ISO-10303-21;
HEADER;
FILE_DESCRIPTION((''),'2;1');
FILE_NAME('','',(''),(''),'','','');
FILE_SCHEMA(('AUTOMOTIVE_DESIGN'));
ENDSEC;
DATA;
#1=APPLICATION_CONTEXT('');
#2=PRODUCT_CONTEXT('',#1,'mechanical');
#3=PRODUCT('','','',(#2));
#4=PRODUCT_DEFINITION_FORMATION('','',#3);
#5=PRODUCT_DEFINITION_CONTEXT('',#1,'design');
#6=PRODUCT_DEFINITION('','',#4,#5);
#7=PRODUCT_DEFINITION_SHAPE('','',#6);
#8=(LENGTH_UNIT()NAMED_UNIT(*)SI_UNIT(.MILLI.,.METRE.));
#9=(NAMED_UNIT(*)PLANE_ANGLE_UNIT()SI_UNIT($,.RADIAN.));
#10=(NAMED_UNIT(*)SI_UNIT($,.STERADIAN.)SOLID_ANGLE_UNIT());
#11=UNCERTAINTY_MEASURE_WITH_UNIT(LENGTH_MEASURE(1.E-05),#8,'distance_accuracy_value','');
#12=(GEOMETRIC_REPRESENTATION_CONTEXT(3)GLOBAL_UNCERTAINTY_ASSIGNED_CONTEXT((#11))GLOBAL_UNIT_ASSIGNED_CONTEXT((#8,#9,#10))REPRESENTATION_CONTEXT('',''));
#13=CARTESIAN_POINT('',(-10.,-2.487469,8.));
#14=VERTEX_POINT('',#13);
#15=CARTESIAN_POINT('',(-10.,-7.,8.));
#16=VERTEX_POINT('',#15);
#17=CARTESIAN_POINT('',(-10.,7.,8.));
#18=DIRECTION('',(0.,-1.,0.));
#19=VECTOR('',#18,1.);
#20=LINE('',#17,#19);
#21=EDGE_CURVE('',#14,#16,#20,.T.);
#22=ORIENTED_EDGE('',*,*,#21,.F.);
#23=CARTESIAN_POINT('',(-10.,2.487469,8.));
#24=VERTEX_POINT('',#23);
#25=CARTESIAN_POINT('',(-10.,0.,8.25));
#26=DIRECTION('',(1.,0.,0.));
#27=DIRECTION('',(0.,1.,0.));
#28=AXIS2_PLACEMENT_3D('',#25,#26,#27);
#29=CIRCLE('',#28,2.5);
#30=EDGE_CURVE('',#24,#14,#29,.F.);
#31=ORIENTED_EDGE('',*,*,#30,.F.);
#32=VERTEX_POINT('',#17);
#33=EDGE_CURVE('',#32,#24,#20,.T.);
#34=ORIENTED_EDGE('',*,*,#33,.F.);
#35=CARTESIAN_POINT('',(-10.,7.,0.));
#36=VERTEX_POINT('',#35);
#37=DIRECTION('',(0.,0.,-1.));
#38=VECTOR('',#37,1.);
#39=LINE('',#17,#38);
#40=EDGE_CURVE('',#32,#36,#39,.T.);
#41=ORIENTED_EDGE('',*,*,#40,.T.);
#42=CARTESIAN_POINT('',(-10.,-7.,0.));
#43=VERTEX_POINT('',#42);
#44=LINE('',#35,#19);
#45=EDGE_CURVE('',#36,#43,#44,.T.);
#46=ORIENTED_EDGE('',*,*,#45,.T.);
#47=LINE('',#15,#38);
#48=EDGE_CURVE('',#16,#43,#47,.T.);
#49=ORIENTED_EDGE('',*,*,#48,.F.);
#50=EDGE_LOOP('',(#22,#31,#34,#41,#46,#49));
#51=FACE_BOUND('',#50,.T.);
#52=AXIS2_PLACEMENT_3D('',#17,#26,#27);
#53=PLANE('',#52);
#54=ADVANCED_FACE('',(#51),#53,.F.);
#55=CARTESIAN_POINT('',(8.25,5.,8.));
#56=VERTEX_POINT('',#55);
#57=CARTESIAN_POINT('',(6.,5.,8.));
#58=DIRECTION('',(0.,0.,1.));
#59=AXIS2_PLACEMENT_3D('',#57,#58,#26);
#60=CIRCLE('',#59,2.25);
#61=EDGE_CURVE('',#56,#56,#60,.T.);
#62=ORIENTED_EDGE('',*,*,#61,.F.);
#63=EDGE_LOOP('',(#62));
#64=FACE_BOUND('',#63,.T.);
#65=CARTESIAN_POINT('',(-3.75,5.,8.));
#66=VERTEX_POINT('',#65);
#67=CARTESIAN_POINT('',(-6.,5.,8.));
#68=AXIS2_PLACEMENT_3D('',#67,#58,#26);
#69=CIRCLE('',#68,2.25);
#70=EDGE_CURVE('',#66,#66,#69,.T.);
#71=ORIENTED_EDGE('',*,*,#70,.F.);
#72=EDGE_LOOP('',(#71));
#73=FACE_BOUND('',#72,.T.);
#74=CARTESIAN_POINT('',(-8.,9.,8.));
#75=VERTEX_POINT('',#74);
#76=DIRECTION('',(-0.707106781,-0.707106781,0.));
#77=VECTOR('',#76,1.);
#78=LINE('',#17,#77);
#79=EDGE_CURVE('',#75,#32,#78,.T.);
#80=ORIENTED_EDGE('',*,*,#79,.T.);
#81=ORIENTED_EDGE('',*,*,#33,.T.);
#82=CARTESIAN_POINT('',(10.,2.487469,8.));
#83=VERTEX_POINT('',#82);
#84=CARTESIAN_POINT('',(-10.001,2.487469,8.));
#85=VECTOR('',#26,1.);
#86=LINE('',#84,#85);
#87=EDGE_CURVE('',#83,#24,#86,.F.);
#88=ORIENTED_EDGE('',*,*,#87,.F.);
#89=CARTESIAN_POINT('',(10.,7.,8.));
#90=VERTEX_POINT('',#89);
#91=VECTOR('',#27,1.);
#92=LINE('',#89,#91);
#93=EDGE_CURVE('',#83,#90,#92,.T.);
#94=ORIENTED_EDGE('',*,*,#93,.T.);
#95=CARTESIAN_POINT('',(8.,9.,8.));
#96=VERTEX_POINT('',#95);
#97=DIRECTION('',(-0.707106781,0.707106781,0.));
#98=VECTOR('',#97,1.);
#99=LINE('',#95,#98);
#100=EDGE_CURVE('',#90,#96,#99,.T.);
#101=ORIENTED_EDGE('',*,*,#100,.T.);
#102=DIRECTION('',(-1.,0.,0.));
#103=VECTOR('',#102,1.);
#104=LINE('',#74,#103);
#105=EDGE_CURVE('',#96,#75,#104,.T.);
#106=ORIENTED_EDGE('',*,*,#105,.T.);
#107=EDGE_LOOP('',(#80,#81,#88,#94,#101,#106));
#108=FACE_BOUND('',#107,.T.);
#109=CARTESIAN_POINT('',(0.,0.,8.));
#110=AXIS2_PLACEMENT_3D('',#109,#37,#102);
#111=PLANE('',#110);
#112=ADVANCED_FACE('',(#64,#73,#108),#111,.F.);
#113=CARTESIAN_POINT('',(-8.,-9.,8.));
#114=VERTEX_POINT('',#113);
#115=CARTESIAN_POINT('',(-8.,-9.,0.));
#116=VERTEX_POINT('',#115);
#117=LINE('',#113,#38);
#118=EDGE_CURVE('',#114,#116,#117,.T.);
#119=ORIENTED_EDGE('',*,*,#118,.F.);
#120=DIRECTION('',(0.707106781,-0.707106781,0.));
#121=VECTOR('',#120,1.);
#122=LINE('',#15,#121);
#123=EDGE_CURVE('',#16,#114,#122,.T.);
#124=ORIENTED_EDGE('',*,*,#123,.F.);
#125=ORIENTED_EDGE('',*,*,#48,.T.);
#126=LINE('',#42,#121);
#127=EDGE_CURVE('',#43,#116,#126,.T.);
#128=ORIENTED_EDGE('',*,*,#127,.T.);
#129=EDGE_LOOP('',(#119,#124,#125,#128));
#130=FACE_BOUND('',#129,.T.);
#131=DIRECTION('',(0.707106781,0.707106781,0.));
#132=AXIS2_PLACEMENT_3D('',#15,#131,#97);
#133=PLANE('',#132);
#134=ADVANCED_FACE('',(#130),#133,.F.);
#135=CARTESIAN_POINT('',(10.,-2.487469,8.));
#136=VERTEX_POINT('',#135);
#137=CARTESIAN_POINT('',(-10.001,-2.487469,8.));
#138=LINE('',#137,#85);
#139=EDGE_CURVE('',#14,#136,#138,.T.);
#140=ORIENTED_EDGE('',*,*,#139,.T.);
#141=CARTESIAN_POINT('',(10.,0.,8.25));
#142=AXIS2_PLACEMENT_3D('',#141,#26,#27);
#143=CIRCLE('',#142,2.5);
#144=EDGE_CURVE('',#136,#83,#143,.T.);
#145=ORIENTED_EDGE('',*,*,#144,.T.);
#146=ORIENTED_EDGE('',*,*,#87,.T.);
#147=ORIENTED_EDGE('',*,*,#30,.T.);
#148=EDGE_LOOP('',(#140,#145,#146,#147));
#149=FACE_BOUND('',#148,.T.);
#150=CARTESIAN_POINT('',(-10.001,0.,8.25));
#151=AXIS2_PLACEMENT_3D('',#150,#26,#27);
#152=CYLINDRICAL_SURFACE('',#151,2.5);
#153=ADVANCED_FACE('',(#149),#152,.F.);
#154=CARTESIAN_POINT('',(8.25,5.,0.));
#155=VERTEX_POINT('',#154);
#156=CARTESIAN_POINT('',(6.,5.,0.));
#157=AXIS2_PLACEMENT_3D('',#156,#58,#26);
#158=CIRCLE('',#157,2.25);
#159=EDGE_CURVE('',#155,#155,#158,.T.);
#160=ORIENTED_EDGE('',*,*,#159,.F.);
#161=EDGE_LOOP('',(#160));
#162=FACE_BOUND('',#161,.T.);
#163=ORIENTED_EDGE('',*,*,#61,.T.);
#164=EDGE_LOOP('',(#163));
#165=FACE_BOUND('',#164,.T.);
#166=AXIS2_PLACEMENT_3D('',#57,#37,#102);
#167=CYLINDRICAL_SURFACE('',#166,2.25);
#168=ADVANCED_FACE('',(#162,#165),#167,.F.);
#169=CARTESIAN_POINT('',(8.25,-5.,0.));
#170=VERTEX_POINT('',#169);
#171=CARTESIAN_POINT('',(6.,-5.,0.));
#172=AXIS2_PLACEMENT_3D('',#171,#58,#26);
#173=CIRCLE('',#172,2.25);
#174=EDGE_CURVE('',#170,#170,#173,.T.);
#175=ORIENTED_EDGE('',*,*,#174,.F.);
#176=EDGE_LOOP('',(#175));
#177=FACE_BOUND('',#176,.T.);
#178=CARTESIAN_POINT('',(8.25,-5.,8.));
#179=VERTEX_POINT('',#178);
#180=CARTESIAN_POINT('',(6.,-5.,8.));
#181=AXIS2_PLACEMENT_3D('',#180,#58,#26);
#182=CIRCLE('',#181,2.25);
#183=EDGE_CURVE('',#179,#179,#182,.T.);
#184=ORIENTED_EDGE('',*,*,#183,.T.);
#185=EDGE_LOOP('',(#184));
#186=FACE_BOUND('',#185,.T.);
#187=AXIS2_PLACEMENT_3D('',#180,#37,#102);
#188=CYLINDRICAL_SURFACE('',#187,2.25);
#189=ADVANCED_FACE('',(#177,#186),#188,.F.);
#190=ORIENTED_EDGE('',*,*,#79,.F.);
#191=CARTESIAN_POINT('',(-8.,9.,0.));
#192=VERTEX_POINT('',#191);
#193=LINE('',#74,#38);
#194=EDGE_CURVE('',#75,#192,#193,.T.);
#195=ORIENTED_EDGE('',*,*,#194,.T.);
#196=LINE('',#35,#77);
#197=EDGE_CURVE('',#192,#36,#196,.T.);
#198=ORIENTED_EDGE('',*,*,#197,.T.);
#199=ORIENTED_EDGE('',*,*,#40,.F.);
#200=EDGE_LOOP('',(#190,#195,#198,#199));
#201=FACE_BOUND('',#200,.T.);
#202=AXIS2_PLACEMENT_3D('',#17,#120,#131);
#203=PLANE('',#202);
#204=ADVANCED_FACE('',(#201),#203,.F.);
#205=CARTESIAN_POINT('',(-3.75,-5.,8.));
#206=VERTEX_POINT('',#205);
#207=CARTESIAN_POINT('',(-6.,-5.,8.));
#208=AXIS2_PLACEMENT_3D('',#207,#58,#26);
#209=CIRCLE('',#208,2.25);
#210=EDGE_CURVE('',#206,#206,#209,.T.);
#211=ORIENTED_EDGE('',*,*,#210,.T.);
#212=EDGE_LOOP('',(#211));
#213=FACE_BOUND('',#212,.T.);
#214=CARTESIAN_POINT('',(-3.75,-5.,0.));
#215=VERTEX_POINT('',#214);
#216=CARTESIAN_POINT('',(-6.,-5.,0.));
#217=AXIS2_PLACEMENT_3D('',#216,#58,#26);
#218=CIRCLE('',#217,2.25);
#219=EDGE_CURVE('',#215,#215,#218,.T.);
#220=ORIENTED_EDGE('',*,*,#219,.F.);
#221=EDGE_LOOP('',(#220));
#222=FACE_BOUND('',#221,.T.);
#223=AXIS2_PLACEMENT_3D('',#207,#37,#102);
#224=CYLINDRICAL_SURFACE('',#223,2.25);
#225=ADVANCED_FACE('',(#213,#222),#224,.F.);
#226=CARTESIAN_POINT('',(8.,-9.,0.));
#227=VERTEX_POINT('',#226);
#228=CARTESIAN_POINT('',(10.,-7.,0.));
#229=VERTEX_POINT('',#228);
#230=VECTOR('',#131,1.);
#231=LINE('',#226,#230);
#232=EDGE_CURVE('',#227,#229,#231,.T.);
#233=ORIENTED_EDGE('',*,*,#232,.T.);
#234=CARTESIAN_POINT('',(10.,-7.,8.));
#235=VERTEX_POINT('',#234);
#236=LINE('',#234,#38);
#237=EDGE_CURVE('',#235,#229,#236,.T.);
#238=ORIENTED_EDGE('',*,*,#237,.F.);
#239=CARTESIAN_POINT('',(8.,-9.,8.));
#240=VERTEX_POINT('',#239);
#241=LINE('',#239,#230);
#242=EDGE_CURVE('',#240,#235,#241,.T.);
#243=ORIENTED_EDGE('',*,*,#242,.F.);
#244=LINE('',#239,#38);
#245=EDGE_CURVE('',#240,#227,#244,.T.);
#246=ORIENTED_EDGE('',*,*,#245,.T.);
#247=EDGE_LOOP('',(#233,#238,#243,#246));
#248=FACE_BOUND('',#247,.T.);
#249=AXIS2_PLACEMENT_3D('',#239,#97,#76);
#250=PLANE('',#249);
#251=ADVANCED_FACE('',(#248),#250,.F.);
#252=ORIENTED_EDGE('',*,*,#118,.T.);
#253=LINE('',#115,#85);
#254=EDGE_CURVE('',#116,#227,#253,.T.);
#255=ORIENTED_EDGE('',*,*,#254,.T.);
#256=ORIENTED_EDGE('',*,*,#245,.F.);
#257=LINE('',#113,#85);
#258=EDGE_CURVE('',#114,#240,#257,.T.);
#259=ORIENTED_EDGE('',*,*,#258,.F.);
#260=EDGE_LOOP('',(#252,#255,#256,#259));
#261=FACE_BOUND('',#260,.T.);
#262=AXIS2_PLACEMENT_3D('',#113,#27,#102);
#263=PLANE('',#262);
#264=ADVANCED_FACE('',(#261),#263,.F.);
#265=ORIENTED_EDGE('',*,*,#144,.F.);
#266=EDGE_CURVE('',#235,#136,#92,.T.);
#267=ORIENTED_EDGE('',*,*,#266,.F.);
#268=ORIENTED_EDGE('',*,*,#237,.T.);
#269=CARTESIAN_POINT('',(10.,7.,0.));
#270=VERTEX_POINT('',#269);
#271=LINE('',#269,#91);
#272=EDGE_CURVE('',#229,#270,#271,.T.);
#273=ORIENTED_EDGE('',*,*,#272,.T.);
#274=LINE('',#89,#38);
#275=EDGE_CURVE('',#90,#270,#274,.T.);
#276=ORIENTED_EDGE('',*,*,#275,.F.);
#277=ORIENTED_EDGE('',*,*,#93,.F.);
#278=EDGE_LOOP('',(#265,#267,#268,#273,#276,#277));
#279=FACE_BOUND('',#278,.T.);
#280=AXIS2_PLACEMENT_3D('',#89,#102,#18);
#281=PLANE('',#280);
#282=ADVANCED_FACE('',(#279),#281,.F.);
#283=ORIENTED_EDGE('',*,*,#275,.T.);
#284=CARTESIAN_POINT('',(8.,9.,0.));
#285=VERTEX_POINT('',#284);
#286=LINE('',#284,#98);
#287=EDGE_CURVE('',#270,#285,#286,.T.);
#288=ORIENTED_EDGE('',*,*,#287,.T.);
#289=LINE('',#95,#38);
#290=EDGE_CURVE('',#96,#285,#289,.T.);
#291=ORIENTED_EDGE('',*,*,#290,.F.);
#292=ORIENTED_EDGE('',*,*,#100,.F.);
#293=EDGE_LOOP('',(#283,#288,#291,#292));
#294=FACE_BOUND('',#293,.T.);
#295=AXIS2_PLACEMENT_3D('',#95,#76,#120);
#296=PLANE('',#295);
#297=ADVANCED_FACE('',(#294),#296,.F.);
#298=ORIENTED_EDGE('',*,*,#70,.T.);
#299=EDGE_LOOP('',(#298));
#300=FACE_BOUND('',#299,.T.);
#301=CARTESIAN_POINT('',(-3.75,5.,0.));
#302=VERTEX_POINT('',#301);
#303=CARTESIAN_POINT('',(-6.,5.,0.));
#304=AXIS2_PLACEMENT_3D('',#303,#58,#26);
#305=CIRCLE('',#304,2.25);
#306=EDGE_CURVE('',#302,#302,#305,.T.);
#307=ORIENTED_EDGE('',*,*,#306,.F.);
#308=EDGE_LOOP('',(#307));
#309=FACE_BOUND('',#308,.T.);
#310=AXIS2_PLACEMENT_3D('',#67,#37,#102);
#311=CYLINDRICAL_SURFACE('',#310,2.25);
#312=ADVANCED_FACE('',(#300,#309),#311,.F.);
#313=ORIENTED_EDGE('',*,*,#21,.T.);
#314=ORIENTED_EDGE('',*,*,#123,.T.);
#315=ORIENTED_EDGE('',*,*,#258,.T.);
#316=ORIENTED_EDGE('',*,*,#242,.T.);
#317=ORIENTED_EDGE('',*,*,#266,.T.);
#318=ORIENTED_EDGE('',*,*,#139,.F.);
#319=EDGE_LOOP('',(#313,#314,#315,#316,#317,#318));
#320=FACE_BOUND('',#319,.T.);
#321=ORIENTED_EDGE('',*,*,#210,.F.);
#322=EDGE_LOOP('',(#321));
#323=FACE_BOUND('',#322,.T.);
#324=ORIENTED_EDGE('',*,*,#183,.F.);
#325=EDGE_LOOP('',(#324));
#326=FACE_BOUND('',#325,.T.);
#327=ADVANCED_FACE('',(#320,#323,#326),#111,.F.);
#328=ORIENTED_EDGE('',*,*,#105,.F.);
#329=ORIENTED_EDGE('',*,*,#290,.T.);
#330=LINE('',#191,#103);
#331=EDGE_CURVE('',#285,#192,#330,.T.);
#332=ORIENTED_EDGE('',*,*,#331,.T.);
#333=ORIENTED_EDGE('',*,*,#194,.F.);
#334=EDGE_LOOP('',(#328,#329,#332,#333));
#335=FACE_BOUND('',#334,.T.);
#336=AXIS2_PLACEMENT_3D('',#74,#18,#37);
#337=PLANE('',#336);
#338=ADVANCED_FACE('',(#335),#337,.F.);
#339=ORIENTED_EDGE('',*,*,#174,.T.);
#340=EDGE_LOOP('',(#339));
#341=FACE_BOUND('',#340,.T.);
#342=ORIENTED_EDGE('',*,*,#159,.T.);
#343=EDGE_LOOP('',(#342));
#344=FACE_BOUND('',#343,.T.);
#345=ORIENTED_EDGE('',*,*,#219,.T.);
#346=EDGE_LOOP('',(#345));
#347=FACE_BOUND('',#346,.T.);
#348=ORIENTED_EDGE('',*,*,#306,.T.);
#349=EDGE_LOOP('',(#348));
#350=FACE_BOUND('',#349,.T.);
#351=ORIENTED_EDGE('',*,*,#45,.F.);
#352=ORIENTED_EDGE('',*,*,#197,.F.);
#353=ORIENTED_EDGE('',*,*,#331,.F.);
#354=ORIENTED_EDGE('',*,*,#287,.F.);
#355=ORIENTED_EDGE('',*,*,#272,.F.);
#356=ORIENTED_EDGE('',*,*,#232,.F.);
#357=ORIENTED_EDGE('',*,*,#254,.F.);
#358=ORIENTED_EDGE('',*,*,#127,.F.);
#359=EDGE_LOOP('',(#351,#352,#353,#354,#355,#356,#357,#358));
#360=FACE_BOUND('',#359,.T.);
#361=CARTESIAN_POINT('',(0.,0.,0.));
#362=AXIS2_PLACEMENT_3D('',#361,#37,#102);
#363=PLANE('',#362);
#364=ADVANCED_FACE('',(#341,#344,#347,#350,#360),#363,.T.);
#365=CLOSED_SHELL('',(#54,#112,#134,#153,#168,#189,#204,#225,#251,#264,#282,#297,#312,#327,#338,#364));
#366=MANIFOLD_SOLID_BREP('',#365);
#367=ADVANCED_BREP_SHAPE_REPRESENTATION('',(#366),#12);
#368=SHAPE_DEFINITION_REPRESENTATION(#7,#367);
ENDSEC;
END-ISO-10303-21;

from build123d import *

# Parameters (mm, degrees)
SKETCH2_R           = 2.25
BOSS_EXTRUDE1_DEPTH = 8
CUT_EXTRUDE1_REACH  = 25.345
SKETCH3_R           = 2.5


with BuildPart() as part:
    # Sketch2 → Boss-Extrude1 (new body)
    with BuildSketch(Plane.XY):
        Polygon((-8, 9), (8, 9), (10, 7), (10, -7), (8, -9), (-8, -9), (-10, -7), (-10, 7), align=None)
        with Locations((-6, 5)):
            Circle(SKETCH2_R, mode=Mode.SUBTRACT)
        with Locations((-6, -5)):
            Circle(SKETCH2_R, mode=Mode.SUBTRACT)
        with Locations((6, 5)):
            Circle(SKETCH2_R, mode=Mode.SUBTRACT)
        with Locations((6, -5)):
            Circle(SKETCH2_R, mode=Mode.SUBTRACT)
    extrude(amount=BOSS_EXTRUDE1_DEPTH)

    # Sketch3 → Cut-Extrude1 (cut, up to next)
    with BuildSketch(Plane(origin=(10, 0, 0), x_dir=(0, 0, -1), z_dir=(1, 0, 0)), mode=Mode.PRIVATE) as cut_extrude1_sk1:
        with Locations((-8.25, 0)):
            Circle(SKETCH3_R)
    cut_extrude1_tool1 = extrude(cut_extrude1_sk1.sketch, amount=-CUT_EXTRUDE1_REACH, mode=Mode.PRIVATE) & part.part
    add(cut_extrude1_tool1.solids().sort_by_distance((10, 0, 8.25))[0], mode=Mode.SUBTRACT)


solid = part.part
